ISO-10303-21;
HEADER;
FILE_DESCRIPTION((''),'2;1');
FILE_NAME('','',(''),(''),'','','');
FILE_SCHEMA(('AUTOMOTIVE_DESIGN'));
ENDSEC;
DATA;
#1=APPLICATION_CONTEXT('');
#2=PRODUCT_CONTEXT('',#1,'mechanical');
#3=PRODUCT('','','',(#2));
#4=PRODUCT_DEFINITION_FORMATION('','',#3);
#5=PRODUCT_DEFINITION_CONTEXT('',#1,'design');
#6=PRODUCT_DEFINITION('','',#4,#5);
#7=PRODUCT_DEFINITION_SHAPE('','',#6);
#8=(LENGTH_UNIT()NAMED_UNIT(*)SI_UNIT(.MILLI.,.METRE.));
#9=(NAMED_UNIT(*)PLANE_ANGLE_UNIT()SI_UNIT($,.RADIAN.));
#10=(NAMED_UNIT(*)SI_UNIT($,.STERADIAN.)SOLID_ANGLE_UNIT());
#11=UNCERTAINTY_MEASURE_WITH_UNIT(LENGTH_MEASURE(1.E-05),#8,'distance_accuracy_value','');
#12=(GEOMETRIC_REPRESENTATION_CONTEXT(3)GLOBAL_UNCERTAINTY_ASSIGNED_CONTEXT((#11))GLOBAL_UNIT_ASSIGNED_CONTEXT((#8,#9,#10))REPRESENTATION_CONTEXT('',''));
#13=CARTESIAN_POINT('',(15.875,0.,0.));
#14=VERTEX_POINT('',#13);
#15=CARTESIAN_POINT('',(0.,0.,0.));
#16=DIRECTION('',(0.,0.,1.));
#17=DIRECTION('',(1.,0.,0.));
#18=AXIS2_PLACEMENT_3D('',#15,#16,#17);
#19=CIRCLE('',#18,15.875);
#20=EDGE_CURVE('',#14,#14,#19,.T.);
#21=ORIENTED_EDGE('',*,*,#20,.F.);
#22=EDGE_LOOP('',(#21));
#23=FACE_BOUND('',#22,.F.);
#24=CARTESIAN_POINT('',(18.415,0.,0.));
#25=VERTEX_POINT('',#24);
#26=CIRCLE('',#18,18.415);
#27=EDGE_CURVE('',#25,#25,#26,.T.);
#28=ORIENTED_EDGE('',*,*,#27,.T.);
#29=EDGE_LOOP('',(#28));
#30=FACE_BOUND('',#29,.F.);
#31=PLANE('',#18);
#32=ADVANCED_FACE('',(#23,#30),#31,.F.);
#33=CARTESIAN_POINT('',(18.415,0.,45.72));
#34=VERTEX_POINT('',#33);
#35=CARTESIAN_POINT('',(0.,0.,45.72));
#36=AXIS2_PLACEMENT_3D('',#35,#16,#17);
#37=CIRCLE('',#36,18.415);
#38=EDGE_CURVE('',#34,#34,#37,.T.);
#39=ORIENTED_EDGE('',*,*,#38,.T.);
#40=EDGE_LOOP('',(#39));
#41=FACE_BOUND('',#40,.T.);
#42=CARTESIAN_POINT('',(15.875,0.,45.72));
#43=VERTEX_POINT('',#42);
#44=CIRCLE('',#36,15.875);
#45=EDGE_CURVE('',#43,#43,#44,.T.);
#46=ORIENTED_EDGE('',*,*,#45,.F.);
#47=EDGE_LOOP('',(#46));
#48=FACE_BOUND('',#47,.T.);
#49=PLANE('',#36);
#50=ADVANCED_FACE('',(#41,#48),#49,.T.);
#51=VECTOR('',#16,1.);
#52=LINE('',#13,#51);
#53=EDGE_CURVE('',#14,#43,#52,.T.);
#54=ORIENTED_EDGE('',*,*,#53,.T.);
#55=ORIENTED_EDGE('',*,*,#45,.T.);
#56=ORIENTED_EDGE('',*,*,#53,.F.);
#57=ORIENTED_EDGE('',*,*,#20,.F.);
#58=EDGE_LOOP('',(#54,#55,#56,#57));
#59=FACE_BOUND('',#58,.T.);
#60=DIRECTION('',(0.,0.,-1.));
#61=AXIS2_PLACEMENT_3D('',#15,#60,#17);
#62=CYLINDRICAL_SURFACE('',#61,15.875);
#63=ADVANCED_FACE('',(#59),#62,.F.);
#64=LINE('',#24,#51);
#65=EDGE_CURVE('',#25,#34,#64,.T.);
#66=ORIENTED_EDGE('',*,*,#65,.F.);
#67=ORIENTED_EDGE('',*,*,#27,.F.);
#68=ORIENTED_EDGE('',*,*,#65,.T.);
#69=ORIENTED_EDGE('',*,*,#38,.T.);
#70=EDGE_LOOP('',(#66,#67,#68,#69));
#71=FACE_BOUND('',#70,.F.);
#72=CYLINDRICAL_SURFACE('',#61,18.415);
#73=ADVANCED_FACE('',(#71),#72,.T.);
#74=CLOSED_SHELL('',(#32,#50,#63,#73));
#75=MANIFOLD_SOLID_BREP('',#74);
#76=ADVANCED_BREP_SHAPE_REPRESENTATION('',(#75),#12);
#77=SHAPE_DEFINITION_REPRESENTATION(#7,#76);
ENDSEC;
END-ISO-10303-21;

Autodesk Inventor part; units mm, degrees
ref_plane "YZ Plane" through (0, 0, 0) normal (1, 0, 0) x (0, 1, 0)
ref_plane "XZ Plane" through (0, 0, 0) normal (0, 1, 0) x (-1, 0, 0)
ref_plane "XY Plane" through (0, 0, 0) normal (0, 0, 1) x (1, 0, 0)
sketch "Sketch1" plane through (0, 0, 0) normal (0, 0, 1) x (1, 0, 0)
  circle A0 centre (0, 0) radius 18.415
  circle A1 centre (0, 0) radius 15.875
  dimension "d0" = 36.83
  dimension "d1" = 31.75
extrude "Extrusion1" add sketch "Sketch1" along normal blind 45.72
properties part number "Gearbox Ring Gear 256 to 1"
